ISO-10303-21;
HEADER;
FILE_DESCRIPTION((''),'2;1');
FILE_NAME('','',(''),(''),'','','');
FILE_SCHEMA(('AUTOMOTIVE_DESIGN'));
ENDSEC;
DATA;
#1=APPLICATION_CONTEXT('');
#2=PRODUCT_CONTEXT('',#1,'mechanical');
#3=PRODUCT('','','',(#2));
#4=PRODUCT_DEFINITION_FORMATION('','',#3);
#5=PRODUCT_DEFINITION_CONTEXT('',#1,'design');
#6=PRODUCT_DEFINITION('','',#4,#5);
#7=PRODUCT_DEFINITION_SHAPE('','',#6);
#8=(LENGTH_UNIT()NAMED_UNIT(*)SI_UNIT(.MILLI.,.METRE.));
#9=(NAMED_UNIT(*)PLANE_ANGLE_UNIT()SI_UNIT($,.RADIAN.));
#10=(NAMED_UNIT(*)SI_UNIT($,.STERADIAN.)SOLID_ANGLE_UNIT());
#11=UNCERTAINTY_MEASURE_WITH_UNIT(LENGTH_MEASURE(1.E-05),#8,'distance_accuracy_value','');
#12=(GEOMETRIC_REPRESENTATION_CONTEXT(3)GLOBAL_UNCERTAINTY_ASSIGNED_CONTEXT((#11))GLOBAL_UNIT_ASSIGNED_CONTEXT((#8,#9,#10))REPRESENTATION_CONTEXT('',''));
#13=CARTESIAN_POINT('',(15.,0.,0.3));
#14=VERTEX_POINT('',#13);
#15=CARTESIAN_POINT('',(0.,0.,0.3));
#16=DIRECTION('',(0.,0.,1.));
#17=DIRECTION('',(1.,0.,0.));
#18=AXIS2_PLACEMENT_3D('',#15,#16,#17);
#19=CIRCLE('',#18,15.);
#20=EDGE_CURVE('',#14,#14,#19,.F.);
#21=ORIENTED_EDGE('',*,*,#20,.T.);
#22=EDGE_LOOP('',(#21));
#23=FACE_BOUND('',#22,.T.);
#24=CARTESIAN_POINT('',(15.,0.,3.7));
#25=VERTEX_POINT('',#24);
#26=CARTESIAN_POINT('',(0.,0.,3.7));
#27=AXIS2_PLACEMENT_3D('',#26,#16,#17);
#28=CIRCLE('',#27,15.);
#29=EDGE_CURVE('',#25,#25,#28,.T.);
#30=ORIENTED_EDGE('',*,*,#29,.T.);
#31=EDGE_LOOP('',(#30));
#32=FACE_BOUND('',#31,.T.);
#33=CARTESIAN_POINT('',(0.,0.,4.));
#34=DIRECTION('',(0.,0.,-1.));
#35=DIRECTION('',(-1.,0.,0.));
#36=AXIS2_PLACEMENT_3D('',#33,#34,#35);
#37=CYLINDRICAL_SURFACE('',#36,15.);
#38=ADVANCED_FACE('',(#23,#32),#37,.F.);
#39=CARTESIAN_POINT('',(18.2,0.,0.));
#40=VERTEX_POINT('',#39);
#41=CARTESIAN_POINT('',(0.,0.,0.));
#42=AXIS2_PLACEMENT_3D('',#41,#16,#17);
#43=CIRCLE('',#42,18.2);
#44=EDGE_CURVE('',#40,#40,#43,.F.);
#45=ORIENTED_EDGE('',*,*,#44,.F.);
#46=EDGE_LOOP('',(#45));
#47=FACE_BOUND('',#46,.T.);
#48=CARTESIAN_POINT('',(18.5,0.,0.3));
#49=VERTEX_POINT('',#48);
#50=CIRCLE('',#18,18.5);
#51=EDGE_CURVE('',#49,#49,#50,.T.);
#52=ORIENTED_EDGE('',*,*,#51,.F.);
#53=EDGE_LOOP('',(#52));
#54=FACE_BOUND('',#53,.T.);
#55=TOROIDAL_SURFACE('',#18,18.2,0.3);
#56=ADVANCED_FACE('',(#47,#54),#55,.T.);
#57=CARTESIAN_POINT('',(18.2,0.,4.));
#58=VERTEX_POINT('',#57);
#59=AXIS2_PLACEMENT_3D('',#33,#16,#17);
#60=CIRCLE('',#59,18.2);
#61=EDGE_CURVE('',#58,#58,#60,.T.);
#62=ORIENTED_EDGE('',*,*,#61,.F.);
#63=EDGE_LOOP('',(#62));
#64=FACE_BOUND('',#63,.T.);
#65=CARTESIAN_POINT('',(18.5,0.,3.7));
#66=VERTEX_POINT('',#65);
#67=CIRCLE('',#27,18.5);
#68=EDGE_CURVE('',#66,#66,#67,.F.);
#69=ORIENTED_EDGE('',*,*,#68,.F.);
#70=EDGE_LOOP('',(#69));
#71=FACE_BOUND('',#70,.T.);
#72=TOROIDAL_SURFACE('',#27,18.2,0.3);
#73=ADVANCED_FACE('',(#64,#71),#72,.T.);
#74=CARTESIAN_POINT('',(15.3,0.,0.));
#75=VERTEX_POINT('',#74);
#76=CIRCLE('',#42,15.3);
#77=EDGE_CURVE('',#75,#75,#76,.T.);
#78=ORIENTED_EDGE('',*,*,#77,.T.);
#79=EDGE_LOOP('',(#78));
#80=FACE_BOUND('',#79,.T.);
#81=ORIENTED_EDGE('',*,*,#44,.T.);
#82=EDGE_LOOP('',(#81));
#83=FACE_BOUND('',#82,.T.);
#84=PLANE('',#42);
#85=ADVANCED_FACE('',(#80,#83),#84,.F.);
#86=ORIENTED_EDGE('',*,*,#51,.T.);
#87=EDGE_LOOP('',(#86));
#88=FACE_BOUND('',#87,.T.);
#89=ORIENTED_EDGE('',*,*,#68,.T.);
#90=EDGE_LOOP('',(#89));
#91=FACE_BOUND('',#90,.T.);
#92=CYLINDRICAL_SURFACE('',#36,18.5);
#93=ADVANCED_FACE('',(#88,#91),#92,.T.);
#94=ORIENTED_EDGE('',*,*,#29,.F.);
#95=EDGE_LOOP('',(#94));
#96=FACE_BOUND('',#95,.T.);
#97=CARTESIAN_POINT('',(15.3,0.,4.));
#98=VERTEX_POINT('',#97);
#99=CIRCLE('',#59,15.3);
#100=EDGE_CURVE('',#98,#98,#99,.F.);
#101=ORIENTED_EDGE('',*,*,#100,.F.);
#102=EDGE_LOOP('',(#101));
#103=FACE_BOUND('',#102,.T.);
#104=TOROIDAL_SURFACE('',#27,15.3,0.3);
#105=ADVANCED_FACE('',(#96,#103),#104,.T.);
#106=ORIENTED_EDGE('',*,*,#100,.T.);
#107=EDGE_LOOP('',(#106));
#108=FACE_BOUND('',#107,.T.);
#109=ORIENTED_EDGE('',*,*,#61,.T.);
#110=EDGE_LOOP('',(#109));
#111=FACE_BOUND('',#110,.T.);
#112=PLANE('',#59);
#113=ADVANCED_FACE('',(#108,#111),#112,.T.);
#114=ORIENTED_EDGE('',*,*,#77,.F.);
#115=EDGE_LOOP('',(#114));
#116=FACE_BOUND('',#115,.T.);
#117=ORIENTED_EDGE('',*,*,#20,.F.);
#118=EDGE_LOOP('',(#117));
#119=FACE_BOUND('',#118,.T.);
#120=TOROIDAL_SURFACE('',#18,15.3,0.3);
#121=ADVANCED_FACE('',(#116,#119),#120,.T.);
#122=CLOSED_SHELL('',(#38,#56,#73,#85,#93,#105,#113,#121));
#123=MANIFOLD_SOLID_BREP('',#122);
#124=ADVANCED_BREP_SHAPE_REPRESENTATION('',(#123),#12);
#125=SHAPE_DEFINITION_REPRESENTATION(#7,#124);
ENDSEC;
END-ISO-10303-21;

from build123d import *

# Parameters (mm, degrees)
SKETCH_1_R      = 18.5
SKETCH_1_R_2    = 15
EXTRUDE_1_DEPTH = 4
FILLET_1_R      = 0.3


with BuildPart() as part:
    # 草图1 → 凸台-拉伸1 (new body)
    with BuildSketch(Plane.XY):
        Circle(SKETCH_1_R)
        Circle(SKETCH_1_R_2, mode=Mode.SUBTRACT)
    extrude(amount=EXTRUDE_1_DEPTH)

    # 圆角1
    fillet_1_edges = [part.edges().sort_by_distance(p)[0] for p in [
        (-18.5, 0, 0),
        (-18.5, 0, 4),
        (-15, 0, 0),
        (-15, 0, 4),
    ]]
    fillet(fillet_1_edges, radius=FILLET_1_R)


solid = part.part
